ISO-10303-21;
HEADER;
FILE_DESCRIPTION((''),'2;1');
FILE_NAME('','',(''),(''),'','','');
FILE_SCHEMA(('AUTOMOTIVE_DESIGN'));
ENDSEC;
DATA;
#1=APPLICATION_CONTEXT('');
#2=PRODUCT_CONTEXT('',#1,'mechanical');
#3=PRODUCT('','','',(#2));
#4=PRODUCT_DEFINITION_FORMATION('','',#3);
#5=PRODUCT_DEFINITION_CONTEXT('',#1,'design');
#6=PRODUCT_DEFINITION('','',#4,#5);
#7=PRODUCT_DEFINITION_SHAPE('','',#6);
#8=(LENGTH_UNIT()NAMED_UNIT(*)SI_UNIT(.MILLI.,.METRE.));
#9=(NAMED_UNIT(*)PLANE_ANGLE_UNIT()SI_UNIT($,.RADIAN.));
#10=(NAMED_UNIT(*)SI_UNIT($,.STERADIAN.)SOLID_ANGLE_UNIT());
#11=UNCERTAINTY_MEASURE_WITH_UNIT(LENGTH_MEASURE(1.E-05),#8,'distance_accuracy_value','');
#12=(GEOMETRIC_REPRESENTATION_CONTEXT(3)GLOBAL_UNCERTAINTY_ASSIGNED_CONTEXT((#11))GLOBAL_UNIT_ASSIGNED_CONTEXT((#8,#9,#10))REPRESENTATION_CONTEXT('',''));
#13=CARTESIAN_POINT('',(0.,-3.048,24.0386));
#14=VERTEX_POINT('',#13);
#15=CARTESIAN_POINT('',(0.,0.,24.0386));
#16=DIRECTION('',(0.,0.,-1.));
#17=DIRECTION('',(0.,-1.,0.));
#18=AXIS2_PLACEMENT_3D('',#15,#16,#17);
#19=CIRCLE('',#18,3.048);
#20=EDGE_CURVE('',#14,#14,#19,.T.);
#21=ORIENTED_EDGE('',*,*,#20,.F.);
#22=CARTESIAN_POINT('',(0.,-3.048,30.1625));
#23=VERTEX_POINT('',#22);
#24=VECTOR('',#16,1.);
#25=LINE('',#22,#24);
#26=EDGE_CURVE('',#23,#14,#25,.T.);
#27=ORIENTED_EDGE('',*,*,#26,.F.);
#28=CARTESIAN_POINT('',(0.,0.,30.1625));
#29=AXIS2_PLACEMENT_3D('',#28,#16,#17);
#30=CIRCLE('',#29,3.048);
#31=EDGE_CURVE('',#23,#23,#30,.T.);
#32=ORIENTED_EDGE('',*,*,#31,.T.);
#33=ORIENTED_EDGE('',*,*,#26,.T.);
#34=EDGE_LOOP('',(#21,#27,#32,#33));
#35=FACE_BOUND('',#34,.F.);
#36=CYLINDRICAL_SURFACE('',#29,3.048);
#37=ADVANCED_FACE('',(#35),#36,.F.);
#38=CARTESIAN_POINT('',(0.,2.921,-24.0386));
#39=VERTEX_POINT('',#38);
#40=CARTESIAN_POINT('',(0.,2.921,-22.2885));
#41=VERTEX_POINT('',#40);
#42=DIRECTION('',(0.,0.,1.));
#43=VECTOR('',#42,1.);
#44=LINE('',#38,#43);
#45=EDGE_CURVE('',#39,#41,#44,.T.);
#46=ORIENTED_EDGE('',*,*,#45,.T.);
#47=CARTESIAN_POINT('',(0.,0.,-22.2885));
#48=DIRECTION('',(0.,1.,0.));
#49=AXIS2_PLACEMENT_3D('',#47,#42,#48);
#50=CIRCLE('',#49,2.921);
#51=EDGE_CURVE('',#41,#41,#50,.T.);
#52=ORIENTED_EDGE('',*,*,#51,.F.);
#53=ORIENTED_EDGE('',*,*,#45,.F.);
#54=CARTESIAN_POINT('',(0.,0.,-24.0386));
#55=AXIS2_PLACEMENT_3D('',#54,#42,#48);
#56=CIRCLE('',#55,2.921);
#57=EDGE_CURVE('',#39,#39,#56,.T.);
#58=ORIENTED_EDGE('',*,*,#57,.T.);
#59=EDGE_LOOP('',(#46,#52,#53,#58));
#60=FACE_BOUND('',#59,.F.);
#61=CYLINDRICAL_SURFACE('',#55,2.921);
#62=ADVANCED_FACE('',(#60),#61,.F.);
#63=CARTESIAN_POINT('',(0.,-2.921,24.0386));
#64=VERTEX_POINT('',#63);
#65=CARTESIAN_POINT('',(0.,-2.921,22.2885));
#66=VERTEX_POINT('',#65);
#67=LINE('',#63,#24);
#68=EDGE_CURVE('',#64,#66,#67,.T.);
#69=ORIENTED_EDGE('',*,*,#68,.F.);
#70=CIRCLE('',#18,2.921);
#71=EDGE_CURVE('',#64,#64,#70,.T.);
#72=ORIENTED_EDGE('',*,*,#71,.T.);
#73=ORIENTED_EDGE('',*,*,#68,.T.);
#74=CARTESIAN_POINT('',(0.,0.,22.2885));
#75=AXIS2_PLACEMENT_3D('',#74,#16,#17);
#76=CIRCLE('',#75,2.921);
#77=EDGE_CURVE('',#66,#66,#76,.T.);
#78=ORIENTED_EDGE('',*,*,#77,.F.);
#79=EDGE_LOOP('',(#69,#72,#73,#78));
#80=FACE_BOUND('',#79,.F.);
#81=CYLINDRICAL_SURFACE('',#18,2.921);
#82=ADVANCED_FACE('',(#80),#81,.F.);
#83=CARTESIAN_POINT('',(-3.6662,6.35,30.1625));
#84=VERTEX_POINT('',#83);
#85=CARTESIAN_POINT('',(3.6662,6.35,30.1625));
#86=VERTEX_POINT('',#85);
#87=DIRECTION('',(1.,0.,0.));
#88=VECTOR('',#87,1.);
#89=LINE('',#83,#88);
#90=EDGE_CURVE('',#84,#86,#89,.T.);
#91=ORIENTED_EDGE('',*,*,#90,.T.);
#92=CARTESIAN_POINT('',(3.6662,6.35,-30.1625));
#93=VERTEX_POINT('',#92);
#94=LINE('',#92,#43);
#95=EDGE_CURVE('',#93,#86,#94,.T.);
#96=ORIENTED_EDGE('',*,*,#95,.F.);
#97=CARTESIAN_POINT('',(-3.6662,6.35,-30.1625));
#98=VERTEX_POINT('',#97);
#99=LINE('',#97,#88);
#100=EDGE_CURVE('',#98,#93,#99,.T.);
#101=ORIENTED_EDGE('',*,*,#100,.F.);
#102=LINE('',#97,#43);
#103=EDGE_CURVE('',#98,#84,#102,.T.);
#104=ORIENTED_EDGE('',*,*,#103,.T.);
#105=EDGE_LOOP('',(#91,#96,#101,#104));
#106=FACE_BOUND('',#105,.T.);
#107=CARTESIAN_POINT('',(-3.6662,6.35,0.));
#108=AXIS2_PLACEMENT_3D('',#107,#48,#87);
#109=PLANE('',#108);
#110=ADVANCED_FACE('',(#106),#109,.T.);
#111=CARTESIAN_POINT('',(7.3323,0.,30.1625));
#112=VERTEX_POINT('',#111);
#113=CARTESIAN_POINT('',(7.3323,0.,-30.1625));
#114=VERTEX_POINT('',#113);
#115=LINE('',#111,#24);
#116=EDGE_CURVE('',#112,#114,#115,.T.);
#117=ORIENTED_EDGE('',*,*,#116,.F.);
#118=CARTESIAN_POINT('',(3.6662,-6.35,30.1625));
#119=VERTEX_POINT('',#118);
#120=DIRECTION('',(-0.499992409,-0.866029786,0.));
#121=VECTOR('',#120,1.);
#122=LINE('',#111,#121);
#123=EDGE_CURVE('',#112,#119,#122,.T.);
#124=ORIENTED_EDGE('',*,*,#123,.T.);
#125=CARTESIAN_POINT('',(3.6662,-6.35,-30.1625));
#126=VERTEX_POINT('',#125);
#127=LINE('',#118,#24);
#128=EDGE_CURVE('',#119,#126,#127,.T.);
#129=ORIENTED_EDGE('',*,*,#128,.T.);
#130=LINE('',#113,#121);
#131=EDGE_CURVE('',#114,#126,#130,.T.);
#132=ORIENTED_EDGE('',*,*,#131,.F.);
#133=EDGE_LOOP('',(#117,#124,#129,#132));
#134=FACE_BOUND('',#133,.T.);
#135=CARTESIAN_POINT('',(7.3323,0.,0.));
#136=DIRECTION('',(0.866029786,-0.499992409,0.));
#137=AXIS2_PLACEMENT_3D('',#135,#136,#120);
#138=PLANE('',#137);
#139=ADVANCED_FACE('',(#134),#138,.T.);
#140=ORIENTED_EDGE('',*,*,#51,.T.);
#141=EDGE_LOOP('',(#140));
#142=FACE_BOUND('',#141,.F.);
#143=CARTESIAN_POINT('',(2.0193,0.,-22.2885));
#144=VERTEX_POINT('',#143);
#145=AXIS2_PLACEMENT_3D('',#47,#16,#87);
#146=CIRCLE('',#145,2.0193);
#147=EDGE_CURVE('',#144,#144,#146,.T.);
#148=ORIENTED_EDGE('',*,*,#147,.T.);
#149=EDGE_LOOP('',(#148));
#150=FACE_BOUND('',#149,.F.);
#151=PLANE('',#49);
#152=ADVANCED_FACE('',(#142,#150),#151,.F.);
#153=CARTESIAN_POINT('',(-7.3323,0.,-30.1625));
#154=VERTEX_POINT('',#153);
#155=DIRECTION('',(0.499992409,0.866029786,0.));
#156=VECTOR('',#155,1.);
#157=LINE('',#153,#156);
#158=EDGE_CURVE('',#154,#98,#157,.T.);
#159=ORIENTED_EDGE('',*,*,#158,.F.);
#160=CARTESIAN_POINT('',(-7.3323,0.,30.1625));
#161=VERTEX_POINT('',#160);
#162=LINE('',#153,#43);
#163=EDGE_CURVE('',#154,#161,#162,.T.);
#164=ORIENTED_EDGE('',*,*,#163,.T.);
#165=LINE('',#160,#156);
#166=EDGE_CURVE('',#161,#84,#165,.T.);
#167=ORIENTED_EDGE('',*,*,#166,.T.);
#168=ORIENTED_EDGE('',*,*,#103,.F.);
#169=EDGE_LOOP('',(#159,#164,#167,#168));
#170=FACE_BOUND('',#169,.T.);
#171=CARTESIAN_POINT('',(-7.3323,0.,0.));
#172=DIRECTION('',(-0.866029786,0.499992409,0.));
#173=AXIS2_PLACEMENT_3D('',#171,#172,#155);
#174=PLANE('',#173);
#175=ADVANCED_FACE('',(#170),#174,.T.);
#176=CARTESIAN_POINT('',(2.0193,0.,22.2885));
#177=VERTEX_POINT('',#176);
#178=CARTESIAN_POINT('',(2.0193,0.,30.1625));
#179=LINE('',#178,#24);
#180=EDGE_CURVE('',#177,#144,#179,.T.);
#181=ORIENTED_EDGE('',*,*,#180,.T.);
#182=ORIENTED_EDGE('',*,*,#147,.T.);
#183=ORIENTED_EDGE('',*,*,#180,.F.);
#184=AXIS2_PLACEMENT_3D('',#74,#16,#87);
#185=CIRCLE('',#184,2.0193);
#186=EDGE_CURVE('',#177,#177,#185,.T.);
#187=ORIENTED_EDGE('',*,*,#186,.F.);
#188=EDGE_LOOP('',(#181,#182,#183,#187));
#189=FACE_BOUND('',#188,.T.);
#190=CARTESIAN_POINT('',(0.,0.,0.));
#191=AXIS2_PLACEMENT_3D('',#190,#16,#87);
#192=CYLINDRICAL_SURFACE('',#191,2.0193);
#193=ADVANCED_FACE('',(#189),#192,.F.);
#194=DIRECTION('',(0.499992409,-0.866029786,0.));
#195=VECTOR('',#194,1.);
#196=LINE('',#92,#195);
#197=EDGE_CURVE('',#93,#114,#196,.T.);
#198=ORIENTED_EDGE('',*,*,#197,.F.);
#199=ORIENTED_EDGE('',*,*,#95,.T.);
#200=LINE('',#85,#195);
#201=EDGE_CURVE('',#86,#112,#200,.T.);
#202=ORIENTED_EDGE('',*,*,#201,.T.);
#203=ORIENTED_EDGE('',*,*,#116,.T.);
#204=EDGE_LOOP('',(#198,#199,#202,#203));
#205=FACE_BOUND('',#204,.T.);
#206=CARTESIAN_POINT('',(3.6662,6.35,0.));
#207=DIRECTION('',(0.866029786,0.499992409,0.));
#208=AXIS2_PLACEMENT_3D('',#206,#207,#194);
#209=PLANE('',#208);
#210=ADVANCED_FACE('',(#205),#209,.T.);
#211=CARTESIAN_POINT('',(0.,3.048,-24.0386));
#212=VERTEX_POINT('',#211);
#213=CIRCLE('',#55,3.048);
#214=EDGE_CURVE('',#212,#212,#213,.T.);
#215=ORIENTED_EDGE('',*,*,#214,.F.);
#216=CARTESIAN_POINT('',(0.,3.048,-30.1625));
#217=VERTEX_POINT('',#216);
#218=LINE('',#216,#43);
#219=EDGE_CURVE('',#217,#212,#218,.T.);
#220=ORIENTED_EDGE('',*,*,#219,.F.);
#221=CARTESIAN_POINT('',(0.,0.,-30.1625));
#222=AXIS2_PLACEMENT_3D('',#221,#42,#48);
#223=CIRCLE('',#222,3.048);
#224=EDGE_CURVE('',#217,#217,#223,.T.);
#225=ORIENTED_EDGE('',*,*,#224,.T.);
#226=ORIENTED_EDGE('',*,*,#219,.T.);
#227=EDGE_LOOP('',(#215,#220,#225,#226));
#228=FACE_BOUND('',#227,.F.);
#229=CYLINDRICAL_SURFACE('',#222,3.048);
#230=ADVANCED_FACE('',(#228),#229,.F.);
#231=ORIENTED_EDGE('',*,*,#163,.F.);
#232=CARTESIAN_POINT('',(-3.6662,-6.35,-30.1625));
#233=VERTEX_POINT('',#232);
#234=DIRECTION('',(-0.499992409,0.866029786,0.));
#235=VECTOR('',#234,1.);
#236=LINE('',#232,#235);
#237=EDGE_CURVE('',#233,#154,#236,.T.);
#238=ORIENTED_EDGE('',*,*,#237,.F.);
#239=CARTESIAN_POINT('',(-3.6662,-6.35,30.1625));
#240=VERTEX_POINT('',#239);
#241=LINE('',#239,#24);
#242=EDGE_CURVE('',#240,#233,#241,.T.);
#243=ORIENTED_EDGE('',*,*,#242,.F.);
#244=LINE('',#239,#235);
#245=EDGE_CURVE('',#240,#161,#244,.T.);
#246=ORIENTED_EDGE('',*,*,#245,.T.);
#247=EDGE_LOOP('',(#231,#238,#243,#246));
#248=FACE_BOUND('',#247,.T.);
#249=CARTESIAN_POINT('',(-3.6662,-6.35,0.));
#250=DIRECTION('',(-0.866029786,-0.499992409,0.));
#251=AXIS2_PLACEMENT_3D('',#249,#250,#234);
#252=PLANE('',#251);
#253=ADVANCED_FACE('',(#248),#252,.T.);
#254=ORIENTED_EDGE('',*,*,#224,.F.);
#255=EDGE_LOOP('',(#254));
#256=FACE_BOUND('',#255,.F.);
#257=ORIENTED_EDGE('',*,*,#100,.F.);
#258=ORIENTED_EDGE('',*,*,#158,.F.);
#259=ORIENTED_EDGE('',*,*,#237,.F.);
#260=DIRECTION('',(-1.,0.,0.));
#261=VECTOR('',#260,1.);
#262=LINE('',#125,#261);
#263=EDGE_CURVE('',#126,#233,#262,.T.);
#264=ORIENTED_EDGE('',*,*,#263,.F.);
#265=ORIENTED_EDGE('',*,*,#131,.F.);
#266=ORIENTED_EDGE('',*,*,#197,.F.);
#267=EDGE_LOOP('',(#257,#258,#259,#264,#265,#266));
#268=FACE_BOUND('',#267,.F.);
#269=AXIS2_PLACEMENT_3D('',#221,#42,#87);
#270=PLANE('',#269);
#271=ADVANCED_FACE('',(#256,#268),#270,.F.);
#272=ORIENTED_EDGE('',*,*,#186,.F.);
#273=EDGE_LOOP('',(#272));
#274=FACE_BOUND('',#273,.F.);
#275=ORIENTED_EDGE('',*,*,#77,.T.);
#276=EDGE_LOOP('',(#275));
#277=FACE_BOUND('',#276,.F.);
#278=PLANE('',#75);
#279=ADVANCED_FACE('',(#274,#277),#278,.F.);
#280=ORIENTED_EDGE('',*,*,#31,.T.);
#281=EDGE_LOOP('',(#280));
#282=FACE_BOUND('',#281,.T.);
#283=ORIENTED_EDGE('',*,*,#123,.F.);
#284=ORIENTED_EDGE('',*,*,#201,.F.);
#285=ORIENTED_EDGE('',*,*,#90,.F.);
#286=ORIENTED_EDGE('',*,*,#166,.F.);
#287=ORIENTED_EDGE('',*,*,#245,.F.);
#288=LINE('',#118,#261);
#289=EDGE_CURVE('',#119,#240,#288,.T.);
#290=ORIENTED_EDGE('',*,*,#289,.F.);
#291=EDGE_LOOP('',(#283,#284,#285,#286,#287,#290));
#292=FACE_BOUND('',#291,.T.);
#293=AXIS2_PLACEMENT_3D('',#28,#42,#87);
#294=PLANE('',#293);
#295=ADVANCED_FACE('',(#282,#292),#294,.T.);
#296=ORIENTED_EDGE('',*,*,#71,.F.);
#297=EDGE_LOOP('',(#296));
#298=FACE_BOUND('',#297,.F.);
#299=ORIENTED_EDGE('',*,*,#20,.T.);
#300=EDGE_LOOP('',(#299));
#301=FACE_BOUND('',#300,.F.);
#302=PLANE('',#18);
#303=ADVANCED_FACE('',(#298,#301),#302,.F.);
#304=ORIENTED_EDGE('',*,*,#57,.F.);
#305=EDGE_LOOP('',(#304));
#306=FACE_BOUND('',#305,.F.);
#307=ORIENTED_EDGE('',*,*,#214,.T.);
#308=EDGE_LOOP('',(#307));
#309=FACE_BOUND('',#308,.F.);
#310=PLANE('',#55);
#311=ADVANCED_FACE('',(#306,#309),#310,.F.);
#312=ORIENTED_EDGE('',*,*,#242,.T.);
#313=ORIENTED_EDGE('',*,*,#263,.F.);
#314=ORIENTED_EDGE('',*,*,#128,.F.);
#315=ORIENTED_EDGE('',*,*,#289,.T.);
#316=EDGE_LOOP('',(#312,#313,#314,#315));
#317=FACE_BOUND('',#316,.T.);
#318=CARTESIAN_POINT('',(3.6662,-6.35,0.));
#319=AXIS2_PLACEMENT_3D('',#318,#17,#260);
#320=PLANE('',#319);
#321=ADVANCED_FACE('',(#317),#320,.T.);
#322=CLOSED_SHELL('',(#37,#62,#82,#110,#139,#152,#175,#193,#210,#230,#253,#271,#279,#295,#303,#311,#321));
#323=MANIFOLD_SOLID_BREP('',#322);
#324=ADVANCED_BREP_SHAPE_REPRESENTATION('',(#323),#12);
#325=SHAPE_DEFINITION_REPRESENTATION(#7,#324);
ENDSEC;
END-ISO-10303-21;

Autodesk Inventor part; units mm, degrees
ref_plane "YZ Plane" through (0, 0, 0) normal (1, 0, 0) x (0, 1, 0)
ref_plane "XZ Plane" through (0, 0, 0) normal (0, 1, 0) x (-1, 0, 0)
ref_plane "XY Plane" through (0, 0, 0) normal (0, 0, 1) x (1, 0, 0)
sketch "Sketch1" plane through (0, 0, 0) normal (0, 0, 1) x (1, 0, 0)
  line L0 (3.6662, 6.35) -> (7.3323, 0)
  line L1 (7.3323, 0) -> (3.6662, -6.35)
  line L2 (3.6662, -6.35) -> (-3.6662, -6.35)
  line L3 (-3.6662, -6.35) -> (-7.3323, 0)
  line L4 (-7.3323, 0) -> (-3.6662, 6.35)
  line L5 (-3.6662, 6.35) -> (3.6662, 6.35)
  circle A0 centre (0, 0) radius 2.0193
  dimension "d0" = 12.7
  dimension "d3" = 4.0386
extrude "Extrusion2" add sketch "Sketch1" along normal mid plane 60.325
sketch "Sketch2" plane through (0, 0, 30.1625) normal (0, 0, 1) x (1, 0, 0)
  point P0 (0, 0)
  point P1 (0, 0)
hole "Hole1" at (0, 0, 30.1625) direction (0, 0, -1) diameter 5.842 depth 7.874 counterbore diameter 6.096 counterbore depth 6.1239
sketch "Sketch3" plane through (0, 0, -30.1625) normal (0, 0, -1) x (-1, 0, 0)
  circle A0 centre (0, 0) radius 2.0193 projected
hole "Hole2" at (0, 0, -30.1625) direction (0, 0, 1) diameter 5.842 depth 7.874 counterbore diameter 6.096 counterbore depth 6.1239
properties part number "1_2 x 2_375-inchHexShaft"
